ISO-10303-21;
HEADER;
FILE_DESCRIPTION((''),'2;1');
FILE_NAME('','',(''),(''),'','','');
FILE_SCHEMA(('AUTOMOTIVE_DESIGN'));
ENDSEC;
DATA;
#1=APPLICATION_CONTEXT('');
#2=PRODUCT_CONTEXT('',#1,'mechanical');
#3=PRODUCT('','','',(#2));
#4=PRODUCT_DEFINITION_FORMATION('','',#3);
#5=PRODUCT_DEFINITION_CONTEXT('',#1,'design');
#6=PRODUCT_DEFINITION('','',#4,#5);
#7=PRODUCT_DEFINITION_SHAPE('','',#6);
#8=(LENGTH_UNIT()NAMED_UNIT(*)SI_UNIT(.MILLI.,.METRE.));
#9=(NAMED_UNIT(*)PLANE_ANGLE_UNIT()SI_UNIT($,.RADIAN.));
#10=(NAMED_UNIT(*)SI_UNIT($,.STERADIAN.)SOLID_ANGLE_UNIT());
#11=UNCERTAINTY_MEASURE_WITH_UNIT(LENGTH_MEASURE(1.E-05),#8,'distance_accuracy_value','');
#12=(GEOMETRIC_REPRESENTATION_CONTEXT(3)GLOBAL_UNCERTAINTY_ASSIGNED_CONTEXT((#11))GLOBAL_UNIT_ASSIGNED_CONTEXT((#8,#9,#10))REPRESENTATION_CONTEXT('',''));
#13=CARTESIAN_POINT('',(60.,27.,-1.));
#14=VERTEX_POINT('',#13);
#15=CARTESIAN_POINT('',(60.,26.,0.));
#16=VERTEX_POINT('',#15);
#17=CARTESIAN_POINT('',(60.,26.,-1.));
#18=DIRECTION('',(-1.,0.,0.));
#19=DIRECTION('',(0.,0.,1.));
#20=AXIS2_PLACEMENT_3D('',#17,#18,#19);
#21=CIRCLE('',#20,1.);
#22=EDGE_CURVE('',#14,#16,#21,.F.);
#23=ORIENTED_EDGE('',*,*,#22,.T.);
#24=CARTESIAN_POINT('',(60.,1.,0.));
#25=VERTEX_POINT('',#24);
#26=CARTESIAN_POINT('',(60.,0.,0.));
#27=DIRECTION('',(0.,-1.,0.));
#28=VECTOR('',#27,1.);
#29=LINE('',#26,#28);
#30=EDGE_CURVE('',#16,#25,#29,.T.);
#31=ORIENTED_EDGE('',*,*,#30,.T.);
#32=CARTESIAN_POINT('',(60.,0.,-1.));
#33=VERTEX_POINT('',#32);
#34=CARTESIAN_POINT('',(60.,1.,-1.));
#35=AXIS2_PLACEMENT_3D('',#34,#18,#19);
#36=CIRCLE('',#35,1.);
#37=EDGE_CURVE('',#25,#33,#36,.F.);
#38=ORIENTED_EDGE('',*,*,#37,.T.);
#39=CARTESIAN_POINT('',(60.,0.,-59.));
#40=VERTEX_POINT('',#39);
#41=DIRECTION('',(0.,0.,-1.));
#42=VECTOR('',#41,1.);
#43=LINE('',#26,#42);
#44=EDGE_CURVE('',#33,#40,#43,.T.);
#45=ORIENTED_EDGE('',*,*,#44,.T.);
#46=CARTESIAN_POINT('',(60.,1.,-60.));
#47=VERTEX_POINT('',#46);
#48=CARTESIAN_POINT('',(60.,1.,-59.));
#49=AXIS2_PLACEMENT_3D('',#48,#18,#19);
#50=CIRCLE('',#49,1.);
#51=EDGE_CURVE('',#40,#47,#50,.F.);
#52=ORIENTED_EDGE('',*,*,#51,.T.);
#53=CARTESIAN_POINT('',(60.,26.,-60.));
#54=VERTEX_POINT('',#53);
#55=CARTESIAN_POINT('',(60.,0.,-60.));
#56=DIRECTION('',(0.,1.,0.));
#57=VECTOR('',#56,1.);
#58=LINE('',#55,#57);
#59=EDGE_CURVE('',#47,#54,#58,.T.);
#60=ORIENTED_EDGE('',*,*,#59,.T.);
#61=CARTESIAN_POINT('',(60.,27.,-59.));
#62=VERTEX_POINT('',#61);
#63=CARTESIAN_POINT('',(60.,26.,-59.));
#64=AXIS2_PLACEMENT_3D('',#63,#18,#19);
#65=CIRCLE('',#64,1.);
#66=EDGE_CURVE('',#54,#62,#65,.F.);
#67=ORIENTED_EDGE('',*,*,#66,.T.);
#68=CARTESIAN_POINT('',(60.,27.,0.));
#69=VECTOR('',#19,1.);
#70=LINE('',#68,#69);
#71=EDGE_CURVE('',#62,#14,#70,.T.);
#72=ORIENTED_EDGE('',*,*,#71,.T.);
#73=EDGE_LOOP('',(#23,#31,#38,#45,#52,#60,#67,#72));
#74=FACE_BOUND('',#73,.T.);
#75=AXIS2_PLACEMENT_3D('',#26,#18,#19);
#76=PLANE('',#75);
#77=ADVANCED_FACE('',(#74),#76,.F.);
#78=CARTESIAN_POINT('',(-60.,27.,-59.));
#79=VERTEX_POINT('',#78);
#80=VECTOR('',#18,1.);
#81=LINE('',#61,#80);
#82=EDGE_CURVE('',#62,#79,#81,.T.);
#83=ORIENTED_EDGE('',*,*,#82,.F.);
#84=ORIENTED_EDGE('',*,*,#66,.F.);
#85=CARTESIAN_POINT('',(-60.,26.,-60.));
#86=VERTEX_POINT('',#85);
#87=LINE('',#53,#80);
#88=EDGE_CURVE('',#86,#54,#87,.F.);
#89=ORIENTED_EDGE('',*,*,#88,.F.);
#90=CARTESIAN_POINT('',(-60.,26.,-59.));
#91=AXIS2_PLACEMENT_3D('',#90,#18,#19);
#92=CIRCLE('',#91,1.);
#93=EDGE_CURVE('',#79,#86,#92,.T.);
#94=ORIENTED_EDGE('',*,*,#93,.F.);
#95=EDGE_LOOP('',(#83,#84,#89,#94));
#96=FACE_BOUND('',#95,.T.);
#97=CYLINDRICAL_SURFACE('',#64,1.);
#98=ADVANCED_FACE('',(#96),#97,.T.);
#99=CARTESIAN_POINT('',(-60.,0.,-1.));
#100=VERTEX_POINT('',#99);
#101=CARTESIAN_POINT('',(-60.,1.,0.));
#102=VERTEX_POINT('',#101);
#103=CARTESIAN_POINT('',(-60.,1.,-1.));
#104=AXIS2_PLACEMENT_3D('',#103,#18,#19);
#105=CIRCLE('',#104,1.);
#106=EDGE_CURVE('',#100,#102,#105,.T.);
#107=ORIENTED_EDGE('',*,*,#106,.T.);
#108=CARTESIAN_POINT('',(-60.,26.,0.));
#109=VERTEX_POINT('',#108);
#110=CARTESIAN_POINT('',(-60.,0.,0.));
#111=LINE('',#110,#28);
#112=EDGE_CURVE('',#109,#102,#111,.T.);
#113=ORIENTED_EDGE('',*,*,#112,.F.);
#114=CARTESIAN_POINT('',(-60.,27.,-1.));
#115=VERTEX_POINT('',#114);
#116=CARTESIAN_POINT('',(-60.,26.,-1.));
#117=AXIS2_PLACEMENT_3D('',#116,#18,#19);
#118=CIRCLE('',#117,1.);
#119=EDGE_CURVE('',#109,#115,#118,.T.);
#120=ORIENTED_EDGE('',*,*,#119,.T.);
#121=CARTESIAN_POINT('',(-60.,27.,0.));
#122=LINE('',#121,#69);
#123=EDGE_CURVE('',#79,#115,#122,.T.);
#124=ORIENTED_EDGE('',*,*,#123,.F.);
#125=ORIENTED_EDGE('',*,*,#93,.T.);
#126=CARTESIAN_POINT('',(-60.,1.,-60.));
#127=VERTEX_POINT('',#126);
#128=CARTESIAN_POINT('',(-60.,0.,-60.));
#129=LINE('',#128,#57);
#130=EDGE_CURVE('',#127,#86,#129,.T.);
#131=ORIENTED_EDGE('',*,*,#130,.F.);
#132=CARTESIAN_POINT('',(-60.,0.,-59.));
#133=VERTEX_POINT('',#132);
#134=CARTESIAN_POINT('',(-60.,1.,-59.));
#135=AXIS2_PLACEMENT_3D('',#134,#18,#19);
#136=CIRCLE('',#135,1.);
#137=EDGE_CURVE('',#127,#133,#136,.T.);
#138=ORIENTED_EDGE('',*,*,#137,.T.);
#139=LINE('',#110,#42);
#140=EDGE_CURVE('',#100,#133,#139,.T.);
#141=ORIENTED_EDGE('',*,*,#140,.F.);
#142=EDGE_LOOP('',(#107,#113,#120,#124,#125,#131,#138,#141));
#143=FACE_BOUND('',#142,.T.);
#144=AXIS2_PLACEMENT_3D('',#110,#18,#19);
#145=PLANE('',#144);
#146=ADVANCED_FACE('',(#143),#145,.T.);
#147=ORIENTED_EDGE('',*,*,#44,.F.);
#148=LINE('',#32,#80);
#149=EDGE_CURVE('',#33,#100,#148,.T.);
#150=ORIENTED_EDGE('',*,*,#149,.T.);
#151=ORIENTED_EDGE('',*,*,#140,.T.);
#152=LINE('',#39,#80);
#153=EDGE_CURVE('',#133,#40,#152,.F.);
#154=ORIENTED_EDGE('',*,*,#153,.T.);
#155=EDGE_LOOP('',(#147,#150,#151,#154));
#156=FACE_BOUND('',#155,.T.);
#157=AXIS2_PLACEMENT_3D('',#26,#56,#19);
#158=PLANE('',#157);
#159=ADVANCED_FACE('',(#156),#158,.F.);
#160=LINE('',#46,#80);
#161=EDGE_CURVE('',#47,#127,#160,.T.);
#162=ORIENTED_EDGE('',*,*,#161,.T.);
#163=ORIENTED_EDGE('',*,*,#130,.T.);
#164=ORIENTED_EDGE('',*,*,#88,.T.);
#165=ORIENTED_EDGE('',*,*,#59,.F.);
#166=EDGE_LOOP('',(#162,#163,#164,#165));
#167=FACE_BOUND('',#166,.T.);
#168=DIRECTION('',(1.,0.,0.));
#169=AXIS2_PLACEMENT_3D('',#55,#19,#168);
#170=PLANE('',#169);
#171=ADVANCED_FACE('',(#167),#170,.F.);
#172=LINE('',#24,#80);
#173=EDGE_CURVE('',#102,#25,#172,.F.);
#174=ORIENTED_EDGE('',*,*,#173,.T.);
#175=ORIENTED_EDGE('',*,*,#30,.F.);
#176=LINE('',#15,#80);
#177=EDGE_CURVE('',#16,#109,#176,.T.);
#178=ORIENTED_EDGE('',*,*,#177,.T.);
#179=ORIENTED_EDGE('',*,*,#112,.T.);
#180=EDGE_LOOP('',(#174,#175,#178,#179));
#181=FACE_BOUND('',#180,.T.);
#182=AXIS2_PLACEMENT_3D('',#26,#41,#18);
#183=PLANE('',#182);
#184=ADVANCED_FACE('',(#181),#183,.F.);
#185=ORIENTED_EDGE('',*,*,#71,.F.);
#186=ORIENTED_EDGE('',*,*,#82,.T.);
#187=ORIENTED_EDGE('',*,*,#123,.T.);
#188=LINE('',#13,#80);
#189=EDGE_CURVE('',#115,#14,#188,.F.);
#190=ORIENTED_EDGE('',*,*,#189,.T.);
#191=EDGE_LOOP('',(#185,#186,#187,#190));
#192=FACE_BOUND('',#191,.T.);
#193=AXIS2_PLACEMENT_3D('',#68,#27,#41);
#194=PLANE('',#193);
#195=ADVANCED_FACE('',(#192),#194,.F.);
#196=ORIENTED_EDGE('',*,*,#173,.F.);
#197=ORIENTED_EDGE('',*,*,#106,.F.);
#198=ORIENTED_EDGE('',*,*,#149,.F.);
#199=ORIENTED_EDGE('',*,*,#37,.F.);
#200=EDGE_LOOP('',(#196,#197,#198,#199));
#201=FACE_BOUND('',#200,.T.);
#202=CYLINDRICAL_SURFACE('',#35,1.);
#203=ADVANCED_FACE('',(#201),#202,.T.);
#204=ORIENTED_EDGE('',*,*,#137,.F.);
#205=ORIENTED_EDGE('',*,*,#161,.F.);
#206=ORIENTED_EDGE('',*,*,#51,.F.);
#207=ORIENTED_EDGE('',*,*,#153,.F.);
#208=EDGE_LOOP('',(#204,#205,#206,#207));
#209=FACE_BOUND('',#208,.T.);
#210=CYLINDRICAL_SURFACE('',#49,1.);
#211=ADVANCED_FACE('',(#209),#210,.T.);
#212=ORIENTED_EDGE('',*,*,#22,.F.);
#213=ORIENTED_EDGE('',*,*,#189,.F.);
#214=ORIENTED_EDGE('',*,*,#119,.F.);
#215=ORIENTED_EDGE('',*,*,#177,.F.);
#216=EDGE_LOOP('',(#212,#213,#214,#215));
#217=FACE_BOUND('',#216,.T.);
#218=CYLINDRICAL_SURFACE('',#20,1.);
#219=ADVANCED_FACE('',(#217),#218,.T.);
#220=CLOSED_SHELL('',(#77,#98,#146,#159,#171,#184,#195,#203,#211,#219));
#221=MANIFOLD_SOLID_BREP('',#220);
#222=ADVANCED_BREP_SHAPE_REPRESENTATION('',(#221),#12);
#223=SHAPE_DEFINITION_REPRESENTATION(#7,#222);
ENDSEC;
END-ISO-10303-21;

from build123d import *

# Parameters (mm, degrees)
SKETCH2_W           = 60
SKETCH2_H           = 27
BOSS_EXTRUDE1_DEPTH = 60
FILLET1_R           = 1


with BuildPart() as part:
    # Sketch2 → Boss-Extrude1 (new body, symmetric)
    with BuildSketch(Plane(origin=(0, 0, 0), x_dir=(0, 0, -1), z_dir=(1, 0, 0))):
        with Locations((30, 13.5)):
            Rectangle(SKETCH2_W, SKETCH2_H)
    extrude(amount=BOSS_EXTRUDE1_DEPTH, both=True)

    # Fillet1
    fillet1_edges = [part.edges().sort_by_distance(p)[0] for p in [
        (0, 27, 0),
        (0, 27, -60),
        (0, 0, -60),
        (0, 0, 0),
    ]]
    fillet(fillet1_edges, radius=FILLET1_R)


solid = part.part
